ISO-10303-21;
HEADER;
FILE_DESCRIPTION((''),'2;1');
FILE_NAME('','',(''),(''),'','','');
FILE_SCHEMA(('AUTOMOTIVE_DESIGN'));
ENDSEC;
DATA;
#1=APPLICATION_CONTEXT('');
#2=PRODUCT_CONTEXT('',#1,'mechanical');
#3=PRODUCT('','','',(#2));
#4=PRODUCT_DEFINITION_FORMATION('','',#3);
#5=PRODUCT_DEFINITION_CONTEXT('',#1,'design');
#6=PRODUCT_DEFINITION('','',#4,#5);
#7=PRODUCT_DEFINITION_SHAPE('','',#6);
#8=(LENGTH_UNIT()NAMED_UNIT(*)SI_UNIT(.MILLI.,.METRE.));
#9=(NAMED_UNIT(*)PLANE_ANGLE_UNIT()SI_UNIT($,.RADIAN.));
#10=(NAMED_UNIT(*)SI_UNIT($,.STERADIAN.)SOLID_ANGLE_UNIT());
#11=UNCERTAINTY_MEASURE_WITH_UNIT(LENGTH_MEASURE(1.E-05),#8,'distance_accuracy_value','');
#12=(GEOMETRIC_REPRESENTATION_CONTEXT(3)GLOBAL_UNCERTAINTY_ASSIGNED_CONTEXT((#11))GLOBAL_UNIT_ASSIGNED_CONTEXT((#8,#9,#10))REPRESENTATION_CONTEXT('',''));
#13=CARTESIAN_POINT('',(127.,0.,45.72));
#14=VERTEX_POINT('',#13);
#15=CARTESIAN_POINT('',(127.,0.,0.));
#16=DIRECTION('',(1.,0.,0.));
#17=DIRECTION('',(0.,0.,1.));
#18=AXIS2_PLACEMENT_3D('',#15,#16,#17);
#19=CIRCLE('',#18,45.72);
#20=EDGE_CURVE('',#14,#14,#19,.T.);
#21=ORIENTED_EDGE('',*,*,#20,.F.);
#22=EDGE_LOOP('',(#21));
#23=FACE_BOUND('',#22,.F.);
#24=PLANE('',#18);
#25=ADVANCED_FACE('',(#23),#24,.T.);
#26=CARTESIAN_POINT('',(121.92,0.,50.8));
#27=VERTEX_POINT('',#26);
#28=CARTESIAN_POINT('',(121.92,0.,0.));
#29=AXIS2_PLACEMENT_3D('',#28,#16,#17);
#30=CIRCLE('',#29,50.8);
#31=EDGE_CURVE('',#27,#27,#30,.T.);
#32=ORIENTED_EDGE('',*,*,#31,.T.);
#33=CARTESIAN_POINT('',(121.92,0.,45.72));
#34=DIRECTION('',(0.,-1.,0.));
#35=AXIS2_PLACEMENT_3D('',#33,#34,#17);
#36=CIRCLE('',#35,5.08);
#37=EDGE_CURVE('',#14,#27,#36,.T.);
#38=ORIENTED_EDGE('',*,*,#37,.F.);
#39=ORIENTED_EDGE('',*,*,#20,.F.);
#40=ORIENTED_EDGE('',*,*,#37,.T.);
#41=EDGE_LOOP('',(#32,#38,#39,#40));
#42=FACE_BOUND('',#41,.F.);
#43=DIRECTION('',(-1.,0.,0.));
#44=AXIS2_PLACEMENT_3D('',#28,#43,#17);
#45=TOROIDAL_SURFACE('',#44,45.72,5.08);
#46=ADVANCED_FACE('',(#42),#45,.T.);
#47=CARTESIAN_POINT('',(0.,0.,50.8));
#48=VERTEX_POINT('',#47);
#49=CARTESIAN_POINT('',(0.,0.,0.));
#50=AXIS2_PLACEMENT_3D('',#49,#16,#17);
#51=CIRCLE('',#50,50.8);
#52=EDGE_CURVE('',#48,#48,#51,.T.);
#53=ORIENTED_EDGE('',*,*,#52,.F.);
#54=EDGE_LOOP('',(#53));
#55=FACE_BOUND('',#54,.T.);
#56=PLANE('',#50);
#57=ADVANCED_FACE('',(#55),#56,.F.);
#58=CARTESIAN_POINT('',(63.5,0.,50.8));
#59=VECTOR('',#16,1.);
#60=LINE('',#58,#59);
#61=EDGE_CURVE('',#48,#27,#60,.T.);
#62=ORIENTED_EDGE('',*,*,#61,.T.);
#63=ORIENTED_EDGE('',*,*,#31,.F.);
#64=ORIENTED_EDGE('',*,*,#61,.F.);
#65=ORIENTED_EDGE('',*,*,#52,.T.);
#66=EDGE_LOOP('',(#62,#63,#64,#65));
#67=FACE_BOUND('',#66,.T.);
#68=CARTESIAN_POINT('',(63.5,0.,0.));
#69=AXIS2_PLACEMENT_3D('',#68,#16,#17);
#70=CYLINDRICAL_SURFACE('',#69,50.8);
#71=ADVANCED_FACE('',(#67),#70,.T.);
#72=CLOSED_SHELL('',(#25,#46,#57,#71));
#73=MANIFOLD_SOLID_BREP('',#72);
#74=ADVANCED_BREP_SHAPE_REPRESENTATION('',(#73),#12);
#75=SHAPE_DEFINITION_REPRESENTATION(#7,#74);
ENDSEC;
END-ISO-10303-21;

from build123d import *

# Parameters (mm, degrees)
F0_W = 127
F0_H = 50.8
F2_R = 5.08


with BuildPart() as f1:
    # F0 (on Front) → F1 (revolve)
    with BuildSketch(Plane.XZ):
        with Locations((63.5, 25.4)):
            Rectangle(F0_W, F0_H)
    revolve(axis=Axis((63.5, 0, 0), (1, 0, 0)))

    # F2
    f2_edges = [f1.edges().sort_by_distance(p)[0] for p in [
        (127, 0, -50.8),
    ]]
    fillet(f2_edges, radius=F2_R)


solid = f1.part
